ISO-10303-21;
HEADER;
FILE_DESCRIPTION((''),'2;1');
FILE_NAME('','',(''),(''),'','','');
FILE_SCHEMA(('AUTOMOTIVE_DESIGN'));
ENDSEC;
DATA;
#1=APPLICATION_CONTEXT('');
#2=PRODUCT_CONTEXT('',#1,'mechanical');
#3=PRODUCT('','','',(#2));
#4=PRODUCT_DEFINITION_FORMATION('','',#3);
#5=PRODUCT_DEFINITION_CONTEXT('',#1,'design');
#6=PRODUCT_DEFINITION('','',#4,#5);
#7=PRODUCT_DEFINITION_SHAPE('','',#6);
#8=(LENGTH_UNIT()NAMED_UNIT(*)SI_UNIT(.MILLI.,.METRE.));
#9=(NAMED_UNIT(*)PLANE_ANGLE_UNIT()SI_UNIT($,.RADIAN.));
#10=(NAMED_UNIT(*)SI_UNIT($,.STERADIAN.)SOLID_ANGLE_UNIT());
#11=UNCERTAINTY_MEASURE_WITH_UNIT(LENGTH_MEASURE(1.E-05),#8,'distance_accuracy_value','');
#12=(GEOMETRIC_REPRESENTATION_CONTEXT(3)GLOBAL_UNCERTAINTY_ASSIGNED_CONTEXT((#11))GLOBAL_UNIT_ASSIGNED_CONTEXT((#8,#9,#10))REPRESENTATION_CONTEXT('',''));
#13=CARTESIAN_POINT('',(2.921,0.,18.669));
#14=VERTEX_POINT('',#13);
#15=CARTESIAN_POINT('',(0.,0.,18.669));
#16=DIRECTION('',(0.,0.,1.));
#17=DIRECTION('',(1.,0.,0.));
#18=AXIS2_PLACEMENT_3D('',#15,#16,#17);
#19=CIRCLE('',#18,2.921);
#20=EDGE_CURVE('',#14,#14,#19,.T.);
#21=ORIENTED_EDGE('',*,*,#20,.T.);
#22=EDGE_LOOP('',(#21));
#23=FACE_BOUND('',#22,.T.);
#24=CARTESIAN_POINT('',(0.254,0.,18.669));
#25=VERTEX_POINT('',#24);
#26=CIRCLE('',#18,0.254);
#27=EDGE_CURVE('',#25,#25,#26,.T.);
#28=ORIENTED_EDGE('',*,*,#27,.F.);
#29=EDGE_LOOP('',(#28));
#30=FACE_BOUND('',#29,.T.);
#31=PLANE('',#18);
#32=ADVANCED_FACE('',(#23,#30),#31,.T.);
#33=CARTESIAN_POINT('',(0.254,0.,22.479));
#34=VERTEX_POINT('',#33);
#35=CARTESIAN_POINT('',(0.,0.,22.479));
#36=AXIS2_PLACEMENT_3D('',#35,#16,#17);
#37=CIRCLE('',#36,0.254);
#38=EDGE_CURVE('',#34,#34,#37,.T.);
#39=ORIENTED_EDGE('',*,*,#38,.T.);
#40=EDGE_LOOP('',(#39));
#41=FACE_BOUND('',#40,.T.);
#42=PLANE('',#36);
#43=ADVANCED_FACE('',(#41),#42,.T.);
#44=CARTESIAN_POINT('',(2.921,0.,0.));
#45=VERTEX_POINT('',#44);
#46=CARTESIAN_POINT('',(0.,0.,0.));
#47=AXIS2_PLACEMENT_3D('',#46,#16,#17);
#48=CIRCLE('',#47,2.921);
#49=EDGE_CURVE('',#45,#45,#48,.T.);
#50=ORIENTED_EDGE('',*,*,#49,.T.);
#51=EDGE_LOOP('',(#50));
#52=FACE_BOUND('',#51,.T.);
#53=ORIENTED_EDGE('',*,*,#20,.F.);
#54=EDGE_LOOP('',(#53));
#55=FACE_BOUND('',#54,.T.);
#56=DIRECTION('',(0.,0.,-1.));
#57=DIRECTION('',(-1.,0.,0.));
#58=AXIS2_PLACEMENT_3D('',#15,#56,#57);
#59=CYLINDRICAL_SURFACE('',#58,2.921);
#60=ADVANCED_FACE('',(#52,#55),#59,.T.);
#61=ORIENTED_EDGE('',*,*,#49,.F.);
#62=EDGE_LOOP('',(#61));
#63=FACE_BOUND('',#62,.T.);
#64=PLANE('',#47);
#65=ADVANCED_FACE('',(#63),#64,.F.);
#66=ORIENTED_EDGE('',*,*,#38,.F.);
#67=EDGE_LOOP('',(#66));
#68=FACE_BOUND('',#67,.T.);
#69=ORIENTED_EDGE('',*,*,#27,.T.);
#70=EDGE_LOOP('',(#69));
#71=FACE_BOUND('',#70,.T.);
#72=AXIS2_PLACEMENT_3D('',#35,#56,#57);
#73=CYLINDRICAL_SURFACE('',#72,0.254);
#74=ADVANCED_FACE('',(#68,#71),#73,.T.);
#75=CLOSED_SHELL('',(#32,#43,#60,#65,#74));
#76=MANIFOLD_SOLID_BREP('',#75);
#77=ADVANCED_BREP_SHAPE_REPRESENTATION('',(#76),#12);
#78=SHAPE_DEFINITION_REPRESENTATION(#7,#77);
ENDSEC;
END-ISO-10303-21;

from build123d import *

# Parameters (mm, degrees)
SKETCH1_R           = 2.921
BOSS_EXTRUDE1_DEPTH = 18.669
SKETCH2_R           = 0.254
BOSS_EXTRUDE2_DEPTH = 3.81


with BuildPart() as part:
    # Sketch1 → Boss-Extrude1 (new body)
    with BuildSketch(Plane.XY):
        Circle(SKETCH1_R)
    extrude(amount=BOSS_EXTRUDE1_DEPTH)

    # Sketch2 → Boss-Extrude2 (add)
    with BuildSketch(Plane.XY.offset(18.669)):
        Circle(SKETCH2_R)
    extrude(amount=BOSS_EXTRUDE2_DEPTH)


solid = part.part
